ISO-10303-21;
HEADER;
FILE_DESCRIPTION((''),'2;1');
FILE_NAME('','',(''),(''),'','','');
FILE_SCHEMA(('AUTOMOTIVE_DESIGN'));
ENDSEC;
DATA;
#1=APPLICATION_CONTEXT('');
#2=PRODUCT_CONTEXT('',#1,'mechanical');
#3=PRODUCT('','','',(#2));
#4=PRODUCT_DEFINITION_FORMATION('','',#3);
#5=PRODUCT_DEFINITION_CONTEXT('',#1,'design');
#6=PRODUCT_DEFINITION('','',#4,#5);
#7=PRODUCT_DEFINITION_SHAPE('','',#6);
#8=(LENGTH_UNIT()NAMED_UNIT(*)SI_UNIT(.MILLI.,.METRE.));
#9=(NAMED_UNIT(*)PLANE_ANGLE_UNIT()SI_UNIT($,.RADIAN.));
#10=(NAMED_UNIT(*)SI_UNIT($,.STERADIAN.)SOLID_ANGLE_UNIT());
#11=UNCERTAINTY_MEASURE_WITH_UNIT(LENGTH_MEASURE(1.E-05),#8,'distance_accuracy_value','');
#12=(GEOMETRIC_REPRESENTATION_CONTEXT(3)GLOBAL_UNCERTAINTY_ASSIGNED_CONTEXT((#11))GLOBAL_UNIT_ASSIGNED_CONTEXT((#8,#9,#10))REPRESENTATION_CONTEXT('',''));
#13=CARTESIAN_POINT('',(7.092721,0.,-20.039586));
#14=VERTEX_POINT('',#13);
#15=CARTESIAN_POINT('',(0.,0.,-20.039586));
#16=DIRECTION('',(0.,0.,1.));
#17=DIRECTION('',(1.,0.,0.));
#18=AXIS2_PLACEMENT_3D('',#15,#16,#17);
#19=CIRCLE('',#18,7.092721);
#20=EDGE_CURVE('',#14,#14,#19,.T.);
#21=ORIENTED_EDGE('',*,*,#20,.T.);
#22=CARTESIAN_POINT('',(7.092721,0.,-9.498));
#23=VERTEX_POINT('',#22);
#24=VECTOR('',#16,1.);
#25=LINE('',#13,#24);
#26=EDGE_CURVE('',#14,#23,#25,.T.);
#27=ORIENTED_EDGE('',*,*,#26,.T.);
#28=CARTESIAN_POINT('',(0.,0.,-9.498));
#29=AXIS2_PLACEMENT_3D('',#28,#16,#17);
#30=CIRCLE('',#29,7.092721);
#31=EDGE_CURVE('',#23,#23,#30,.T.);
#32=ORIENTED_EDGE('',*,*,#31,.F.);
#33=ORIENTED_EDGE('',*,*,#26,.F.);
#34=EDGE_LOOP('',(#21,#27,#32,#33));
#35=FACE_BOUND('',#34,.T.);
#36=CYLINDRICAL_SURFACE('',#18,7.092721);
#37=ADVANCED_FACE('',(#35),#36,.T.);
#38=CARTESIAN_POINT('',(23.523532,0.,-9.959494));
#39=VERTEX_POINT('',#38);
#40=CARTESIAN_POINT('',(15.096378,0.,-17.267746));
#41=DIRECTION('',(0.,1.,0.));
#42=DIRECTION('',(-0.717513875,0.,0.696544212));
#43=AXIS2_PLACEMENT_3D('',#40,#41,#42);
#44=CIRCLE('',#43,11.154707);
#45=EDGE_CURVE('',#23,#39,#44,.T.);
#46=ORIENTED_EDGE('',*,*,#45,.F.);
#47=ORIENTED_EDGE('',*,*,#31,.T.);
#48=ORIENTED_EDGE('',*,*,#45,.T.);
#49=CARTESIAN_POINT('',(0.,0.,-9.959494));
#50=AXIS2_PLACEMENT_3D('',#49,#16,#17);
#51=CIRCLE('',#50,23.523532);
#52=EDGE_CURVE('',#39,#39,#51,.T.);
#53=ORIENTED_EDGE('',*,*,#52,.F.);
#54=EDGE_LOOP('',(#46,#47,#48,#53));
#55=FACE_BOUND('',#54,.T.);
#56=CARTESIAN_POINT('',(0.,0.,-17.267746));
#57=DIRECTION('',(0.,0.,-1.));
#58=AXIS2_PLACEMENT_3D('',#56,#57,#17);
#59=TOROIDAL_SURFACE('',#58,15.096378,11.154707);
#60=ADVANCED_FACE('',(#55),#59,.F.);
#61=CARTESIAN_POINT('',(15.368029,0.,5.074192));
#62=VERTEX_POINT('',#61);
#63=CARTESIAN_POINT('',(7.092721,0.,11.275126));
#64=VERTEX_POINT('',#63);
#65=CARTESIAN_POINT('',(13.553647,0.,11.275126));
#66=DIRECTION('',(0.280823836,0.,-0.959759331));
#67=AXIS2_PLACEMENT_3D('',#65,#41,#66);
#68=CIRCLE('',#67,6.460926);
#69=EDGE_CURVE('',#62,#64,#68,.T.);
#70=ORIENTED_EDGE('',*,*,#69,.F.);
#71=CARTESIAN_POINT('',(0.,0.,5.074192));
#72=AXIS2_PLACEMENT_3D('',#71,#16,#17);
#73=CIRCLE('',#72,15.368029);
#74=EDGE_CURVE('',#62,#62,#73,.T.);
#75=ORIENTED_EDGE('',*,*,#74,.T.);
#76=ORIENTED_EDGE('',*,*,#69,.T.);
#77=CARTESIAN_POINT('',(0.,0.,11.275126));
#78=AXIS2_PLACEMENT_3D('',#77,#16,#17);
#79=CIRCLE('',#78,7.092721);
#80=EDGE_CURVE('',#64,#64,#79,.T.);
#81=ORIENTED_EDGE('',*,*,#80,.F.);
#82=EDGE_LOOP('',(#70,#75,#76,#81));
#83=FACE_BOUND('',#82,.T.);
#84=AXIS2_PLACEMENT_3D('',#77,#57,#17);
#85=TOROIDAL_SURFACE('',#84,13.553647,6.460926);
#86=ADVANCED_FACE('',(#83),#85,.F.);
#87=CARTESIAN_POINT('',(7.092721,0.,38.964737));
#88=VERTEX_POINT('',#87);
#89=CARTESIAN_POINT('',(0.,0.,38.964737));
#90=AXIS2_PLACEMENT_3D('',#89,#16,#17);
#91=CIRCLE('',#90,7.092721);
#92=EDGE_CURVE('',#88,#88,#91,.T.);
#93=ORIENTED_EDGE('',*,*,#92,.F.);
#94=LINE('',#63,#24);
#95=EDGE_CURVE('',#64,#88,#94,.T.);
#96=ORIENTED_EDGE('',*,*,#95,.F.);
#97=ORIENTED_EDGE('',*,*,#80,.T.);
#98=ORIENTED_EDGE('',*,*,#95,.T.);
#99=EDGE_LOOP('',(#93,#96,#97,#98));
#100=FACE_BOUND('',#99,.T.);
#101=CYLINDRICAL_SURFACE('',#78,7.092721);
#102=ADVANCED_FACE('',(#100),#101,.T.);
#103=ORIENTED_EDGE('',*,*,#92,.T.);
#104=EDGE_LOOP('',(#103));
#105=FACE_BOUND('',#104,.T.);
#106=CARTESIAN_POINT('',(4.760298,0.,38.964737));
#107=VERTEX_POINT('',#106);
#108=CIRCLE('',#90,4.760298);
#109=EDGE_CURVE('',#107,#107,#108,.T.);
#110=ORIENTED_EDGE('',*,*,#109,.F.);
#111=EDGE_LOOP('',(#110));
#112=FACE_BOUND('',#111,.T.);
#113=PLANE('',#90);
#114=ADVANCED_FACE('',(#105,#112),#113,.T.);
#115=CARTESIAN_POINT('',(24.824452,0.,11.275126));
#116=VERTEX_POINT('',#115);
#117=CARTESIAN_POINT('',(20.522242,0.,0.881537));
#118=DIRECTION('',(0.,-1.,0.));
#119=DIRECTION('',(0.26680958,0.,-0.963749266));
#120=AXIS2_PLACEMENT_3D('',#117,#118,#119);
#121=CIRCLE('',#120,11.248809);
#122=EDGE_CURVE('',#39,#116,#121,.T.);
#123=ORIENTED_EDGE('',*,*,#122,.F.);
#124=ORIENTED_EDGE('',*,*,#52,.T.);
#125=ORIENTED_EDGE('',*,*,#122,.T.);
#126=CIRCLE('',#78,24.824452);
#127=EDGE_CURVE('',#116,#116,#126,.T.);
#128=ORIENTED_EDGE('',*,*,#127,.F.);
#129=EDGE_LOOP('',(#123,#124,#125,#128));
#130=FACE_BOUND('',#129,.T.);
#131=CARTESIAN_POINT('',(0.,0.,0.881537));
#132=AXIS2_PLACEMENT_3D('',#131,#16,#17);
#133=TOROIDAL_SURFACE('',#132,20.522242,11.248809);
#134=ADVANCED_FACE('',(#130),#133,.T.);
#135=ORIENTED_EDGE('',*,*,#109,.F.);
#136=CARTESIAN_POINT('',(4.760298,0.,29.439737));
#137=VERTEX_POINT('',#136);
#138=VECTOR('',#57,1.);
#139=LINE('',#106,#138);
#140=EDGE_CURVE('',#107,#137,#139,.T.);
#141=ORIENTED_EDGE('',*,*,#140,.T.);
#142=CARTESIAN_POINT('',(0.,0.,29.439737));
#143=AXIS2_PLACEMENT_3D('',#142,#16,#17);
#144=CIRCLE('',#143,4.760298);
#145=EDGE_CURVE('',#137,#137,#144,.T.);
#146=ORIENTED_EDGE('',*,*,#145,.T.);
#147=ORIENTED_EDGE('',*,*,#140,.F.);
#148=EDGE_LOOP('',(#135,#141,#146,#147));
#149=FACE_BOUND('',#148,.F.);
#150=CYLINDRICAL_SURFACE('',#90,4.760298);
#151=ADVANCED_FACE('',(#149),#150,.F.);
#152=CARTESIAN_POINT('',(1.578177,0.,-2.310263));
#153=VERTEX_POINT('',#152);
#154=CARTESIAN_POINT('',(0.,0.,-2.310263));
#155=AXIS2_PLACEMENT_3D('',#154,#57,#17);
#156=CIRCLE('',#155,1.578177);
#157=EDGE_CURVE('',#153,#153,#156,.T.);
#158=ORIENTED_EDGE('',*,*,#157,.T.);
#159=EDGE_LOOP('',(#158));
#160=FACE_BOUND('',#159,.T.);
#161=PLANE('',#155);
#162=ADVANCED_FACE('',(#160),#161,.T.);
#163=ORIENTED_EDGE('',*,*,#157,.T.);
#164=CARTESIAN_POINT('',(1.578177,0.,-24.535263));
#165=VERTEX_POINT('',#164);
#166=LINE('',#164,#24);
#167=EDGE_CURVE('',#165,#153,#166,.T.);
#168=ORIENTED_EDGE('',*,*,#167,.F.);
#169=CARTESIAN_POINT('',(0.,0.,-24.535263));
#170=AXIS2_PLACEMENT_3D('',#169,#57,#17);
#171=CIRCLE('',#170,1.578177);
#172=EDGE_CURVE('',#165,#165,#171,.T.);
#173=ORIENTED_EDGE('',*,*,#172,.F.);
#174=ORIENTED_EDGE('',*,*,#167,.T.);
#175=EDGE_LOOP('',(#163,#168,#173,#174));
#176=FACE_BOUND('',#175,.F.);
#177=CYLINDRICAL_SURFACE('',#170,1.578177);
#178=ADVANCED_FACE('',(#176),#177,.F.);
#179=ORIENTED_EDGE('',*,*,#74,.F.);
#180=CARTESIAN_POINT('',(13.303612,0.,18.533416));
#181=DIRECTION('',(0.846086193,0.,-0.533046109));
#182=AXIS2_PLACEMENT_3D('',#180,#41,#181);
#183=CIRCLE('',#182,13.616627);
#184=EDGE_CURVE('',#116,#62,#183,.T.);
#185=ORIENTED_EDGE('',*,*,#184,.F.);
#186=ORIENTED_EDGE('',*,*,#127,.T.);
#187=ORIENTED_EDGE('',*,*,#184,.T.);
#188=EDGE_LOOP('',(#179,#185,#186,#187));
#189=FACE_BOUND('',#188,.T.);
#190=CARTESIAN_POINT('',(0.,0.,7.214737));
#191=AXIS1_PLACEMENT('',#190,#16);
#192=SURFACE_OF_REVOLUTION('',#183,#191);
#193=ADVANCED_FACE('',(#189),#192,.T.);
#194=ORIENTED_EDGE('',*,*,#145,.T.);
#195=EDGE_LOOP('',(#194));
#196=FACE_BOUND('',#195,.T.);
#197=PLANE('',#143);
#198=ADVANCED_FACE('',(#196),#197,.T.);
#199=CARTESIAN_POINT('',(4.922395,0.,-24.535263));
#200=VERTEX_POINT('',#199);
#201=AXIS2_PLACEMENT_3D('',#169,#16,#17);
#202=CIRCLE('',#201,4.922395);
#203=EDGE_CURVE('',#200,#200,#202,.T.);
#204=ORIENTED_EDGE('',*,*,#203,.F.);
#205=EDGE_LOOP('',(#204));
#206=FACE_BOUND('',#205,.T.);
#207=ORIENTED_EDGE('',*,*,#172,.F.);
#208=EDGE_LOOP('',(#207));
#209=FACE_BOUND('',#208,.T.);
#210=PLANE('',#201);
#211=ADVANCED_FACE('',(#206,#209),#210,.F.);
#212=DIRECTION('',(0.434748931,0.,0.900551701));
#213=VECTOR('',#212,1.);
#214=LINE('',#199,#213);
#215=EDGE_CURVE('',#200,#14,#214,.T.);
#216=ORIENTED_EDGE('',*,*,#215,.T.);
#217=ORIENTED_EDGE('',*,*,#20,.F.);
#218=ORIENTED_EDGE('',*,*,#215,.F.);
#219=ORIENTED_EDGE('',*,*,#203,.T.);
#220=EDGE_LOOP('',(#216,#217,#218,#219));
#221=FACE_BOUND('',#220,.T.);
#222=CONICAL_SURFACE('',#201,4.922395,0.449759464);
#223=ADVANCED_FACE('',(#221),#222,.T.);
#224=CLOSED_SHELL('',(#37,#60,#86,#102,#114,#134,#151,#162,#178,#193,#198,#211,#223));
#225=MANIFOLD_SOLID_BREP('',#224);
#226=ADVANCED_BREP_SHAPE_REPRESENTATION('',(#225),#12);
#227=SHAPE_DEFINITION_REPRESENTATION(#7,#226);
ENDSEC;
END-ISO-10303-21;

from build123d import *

# Parameters (mm, degrees)
F2_R     = 4.760298
F3_DEPTH = 9.525
F4_R     = 1.578177
F5_DEPTH = 22.225


with BuildPart() as f1:
    # F0 (on Front) → F1 (revolve)
    with BuildSketch(Plane.XZ):
        with BuildLine():
            Line((0, 38.964737), (0, -24.535263))
            Line((0, -24.535263), (4.922395, -24.535263))
            Line((4.922395, -24.535263), (7.092721, -20.039586))
            Line((7.092721, -20.039586), (7.092721, -9.498))
            ThreePointArc((7.092721, -9.498), (15.409558, -6.117437), (23.523532, -9.959494))
            ThreePointArc((23.523532, -9.959494), (31.75, 0.193678), (24.824452, 11.275126))
            ThreePointArc((24.824452, 11.275126), (20.770385, 7.146589), (15.368029, 5.074192))
            ThreePointArc((15.368029, 5.074192), (9.67931, 6.104722), (7.092721, 11.275126))
            Line((7.092721, 11.275126), (7.092721, 38.964737))
            Line((7.092721, 38.964737), (0, 38.964737))
        make_face()
    revolve(axis=Axis((0, 0, 7.214737), (0, 0, 1)))

    # F2 (on face) → F3 (cut)
    with BuildSketch(Plane.XY.offset(38.964737)):
        Circle(F2_R)
    extrude(amount=-F3_DEPTH, mode=Mode.SUBTRACT)

    # F4 (on face) → F5 (cut)
    with BuildSketch(Plane(origin=(0, 0, -24.535263), x_dir=(1, 0, 0), z_dir=(0, 0, -1))):
        Circle(F4_R)
    extrude(amount=-F5_DEPTH, mode=Mode.SUBTRACT)


solid = f1.part
